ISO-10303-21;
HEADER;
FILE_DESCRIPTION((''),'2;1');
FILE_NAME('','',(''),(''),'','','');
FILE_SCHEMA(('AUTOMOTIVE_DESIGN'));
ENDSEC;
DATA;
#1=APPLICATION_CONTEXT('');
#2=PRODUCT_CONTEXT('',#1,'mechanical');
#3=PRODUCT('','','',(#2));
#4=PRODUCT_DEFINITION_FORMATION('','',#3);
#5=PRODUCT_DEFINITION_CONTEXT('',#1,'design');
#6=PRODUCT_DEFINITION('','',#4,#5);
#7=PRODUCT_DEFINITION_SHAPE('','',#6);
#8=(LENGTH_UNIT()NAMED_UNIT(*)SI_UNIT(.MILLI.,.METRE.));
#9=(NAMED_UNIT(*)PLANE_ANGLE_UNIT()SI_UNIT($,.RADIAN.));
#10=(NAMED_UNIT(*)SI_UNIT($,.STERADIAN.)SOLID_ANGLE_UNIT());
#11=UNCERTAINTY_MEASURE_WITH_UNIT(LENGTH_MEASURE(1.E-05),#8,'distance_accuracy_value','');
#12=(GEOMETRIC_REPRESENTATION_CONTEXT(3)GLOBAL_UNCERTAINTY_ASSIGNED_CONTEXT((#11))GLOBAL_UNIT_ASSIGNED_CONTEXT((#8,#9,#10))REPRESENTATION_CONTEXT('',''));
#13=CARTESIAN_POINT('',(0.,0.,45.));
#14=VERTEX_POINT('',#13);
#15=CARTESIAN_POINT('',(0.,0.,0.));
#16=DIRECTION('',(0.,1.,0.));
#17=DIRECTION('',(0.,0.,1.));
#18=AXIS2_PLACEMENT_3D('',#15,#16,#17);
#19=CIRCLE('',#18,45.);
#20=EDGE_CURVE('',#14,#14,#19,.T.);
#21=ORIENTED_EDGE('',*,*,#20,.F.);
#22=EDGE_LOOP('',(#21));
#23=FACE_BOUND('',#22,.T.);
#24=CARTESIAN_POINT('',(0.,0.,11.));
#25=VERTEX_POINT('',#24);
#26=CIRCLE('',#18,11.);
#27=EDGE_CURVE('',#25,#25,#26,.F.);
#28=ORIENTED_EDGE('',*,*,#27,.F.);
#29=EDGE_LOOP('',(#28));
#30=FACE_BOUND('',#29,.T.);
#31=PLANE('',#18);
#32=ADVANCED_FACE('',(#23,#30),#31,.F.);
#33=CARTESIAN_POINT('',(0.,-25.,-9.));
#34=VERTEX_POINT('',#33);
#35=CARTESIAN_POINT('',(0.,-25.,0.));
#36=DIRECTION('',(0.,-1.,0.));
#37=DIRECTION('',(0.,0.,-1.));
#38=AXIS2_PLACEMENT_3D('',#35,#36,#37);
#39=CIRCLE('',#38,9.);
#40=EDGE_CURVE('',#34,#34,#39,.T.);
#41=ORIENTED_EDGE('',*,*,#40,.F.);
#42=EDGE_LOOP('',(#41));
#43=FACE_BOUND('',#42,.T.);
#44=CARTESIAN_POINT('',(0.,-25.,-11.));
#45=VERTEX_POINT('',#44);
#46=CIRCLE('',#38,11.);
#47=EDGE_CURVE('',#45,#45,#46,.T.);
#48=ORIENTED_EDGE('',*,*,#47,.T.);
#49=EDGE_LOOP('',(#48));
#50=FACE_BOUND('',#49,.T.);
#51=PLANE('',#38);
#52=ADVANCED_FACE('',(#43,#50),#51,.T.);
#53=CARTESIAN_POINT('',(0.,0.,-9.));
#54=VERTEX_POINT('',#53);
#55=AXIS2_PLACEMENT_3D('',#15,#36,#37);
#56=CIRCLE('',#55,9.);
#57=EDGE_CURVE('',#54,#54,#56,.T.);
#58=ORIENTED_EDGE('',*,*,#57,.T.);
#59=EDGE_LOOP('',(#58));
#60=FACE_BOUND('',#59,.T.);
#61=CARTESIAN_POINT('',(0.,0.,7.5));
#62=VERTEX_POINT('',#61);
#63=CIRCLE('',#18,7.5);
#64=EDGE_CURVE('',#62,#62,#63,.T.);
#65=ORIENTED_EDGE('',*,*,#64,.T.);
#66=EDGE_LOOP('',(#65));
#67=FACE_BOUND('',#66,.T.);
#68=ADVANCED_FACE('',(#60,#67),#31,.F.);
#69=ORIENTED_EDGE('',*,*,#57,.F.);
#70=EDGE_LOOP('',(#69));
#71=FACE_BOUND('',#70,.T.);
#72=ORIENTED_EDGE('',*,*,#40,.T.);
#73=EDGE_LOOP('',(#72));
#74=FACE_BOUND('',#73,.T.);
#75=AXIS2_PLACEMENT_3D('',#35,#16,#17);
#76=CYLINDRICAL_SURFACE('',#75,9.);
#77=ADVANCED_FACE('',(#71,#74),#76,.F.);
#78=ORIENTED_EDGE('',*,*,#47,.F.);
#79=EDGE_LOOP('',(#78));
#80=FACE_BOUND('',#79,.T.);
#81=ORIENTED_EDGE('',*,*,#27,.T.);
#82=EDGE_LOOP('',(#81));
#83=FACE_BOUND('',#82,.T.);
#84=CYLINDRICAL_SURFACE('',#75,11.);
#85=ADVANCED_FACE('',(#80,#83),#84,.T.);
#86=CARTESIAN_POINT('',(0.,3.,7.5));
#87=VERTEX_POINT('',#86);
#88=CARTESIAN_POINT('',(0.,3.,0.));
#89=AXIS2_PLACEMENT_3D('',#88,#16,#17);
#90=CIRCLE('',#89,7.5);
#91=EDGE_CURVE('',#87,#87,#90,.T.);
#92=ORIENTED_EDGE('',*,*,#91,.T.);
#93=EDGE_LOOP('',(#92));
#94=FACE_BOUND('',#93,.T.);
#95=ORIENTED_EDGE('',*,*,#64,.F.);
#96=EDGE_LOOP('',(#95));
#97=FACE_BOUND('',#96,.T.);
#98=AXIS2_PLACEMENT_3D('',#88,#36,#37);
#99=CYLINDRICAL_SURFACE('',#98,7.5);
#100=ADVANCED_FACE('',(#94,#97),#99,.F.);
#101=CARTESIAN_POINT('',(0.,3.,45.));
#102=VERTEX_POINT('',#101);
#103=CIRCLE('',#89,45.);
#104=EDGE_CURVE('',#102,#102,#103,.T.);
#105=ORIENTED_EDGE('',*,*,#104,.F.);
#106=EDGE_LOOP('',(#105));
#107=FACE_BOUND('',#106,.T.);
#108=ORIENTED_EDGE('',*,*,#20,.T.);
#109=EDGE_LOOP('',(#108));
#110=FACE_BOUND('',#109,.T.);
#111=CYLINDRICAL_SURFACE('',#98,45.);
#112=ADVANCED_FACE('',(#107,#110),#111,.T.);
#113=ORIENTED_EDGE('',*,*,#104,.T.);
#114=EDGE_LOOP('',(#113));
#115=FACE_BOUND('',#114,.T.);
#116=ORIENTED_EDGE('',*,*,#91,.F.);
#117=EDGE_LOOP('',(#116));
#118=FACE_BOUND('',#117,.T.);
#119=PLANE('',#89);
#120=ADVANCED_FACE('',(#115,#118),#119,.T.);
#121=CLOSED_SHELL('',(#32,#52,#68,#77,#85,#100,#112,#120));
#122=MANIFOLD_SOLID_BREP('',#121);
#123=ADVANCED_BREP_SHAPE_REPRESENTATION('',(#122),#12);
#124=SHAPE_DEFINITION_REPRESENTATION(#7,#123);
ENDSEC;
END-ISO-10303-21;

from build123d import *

# Parameters (mm, degrees)
SKETCH1_R           = 45
SKETCH1_R_2         = 7.5
BOSS_EXTRUDE1_DEPTH = 3
SKETCH2_R           = 11
SKETCH2_R_2         = 9
BOSS_EXTRUDE2_DEPTH = 25


with BuildPart() as part:
    # Sketch1 → Boss-Extrude1 (new body)
    with BuildSketch(Plane(origin=(0, 0, 0), x_dir=(1, 0, 0), z_dir=(0, 1, 0))):
        with Locations(Location((0, 0, 0), (0, 0, 270))):
            Circle(SKETCH1_R)
        with Locations(Location((0, 0, 0), (0, 0, 270))):
            Circle(SKETCH1_R_2, mode=Mode.SUBTRACT)
    extrude(amount=BOSS_EXTRUDE1_DEPTH)

    # Sketch2 → Boss-Extrude2 (add)
    with BuildSketch(Plane.XZ):
        with Locations(Location((0, 0, 0), (0, 0, 90))):
            Circle(SKETCH2_R)
        with Locations(Location((0, 0, 0), (0, 0, 270))):
            Circle(SKETCH2_R_2, mode=Mode.SUBTRACT)
    extrude(amount=BOSS_EXTRUDE2_DEPTH)


solid = part.part
